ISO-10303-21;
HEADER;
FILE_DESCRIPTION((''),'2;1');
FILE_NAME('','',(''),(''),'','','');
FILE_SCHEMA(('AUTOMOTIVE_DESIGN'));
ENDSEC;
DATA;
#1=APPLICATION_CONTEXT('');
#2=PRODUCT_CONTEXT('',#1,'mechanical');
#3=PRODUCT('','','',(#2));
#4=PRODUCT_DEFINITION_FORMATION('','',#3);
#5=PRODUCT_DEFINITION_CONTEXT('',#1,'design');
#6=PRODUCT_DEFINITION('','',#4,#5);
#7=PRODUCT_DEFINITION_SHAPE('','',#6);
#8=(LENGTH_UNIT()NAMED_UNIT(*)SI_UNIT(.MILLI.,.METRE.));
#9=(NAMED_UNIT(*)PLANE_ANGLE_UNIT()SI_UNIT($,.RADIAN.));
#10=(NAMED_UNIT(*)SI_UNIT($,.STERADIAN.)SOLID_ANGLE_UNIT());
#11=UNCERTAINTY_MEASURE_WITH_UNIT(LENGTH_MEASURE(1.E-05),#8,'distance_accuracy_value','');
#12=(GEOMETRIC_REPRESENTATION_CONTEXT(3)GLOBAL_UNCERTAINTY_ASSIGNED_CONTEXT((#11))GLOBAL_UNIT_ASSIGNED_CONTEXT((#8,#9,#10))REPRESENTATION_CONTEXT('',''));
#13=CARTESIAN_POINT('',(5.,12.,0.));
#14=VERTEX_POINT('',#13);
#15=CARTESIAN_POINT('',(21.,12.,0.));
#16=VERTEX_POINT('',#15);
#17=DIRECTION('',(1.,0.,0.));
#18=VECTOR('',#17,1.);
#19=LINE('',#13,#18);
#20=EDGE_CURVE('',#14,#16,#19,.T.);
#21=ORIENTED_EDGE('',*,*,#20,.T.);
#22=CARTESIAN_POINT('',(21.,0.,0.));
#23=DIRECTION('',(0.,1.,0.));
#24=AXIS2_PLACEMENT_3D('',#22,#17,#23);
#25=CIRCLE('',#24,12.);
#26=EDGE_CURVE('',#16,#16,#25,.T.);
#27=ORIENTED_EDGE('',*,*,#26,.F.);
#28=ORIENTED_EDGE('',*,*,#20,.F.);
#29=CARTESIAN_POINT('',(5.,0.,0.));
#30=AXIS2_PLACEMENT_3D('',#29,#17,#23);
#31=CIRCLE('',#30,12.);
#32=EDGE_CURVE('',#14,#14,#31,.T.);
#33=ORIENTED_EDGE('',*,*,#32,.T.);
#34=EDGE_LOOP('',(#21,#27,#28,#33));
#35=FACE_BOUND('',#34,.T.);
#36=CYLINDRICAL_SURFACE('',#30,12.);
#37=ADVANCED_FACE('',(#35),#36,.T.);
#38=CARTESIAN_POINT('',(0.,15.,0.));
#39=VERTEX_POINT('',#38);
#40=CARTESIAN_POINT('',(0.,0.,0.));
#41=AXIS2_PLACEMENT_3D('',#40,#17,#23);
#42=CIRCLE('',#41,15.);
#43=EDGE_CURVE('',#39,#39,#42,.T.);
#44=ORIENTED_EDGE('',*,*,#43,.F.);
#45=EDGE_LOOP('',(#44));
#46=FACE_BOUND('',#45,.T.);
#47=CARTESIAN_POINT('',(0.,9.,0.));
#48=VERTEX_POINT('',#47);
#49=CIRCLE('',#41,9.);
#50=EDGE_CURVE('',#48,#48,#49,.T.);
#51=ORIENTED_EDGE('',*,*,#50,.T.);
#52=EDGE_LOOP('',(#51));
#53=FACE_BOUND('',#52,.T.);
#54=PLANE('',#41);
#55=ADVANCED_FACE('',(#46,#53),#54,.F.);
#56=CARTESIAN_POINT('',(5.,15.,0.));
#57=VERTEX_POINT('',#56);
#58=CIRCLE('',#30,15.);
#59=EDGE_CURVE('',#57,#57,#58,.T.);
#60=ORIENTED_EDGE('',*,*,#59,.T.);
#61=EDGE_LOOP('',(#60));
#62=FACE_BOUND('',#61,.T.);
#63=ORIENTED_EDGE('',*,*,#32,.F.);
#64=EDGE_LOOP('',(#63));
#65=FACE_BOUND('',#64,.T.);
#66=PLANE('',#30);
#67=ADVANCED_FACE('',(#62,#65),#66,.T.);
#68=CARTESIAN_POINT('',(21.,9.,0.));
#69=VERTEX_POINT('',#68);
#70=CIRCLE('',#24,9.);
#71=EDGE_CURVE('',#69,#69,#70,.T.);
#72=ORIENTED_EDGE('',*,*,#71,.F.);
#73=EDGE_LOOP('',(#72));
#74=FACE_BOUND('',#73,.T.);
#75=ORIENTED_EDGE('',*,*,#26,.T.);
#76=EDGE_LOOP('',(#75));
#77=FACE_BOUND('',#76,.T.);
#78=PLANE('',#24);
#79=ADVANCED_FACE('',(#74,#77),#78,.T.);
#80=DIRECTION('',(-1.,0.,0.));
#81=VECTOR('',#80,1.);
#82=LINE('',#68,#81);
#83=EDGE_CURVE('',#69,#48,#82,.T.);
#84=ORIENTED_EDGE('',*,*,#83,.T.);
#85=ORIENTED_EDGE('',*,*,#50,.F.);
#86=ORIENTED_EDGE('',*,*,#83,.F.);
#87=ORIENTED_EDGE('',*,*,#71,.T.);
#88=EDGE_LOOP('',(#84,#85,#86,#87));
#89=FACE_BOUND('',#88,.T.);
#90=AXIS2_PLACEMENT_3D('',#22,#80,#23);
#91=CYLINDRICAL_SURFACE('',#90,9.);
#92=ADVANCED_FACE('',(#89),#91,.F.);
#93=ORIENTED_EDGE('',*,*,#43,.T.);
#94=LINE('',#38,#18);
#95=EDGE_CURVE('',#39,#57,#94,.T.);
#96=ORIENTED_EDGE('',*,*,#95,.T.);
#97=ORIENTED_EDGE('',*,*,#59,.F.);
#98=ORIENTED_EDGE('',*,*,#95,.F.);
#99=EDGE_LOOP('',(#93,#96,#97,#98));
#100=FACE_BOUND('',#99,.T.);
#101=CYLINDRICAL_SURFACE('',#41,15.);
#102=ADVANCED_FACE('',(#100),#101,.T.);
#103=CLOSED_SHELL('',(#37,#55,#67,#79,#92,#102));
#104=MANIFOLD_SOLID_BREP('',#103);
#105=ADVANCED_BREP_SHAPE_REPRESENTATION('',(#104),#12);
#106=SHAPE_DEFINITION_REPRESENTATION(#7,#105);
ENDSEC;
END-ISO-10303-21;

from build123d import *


with BuildPart() as part:
    # Sketch1 → Revolve1 (revolve)
    with BuildSketch(Plane.XY):
        Polygon((0, 9), (0, 15), (5, 15), (5, 12), (21, 12), (21, 9), align=None)
    revolve(axis=Axis((0, 0, 0), (1, 0, 0)))


solid = part.part
